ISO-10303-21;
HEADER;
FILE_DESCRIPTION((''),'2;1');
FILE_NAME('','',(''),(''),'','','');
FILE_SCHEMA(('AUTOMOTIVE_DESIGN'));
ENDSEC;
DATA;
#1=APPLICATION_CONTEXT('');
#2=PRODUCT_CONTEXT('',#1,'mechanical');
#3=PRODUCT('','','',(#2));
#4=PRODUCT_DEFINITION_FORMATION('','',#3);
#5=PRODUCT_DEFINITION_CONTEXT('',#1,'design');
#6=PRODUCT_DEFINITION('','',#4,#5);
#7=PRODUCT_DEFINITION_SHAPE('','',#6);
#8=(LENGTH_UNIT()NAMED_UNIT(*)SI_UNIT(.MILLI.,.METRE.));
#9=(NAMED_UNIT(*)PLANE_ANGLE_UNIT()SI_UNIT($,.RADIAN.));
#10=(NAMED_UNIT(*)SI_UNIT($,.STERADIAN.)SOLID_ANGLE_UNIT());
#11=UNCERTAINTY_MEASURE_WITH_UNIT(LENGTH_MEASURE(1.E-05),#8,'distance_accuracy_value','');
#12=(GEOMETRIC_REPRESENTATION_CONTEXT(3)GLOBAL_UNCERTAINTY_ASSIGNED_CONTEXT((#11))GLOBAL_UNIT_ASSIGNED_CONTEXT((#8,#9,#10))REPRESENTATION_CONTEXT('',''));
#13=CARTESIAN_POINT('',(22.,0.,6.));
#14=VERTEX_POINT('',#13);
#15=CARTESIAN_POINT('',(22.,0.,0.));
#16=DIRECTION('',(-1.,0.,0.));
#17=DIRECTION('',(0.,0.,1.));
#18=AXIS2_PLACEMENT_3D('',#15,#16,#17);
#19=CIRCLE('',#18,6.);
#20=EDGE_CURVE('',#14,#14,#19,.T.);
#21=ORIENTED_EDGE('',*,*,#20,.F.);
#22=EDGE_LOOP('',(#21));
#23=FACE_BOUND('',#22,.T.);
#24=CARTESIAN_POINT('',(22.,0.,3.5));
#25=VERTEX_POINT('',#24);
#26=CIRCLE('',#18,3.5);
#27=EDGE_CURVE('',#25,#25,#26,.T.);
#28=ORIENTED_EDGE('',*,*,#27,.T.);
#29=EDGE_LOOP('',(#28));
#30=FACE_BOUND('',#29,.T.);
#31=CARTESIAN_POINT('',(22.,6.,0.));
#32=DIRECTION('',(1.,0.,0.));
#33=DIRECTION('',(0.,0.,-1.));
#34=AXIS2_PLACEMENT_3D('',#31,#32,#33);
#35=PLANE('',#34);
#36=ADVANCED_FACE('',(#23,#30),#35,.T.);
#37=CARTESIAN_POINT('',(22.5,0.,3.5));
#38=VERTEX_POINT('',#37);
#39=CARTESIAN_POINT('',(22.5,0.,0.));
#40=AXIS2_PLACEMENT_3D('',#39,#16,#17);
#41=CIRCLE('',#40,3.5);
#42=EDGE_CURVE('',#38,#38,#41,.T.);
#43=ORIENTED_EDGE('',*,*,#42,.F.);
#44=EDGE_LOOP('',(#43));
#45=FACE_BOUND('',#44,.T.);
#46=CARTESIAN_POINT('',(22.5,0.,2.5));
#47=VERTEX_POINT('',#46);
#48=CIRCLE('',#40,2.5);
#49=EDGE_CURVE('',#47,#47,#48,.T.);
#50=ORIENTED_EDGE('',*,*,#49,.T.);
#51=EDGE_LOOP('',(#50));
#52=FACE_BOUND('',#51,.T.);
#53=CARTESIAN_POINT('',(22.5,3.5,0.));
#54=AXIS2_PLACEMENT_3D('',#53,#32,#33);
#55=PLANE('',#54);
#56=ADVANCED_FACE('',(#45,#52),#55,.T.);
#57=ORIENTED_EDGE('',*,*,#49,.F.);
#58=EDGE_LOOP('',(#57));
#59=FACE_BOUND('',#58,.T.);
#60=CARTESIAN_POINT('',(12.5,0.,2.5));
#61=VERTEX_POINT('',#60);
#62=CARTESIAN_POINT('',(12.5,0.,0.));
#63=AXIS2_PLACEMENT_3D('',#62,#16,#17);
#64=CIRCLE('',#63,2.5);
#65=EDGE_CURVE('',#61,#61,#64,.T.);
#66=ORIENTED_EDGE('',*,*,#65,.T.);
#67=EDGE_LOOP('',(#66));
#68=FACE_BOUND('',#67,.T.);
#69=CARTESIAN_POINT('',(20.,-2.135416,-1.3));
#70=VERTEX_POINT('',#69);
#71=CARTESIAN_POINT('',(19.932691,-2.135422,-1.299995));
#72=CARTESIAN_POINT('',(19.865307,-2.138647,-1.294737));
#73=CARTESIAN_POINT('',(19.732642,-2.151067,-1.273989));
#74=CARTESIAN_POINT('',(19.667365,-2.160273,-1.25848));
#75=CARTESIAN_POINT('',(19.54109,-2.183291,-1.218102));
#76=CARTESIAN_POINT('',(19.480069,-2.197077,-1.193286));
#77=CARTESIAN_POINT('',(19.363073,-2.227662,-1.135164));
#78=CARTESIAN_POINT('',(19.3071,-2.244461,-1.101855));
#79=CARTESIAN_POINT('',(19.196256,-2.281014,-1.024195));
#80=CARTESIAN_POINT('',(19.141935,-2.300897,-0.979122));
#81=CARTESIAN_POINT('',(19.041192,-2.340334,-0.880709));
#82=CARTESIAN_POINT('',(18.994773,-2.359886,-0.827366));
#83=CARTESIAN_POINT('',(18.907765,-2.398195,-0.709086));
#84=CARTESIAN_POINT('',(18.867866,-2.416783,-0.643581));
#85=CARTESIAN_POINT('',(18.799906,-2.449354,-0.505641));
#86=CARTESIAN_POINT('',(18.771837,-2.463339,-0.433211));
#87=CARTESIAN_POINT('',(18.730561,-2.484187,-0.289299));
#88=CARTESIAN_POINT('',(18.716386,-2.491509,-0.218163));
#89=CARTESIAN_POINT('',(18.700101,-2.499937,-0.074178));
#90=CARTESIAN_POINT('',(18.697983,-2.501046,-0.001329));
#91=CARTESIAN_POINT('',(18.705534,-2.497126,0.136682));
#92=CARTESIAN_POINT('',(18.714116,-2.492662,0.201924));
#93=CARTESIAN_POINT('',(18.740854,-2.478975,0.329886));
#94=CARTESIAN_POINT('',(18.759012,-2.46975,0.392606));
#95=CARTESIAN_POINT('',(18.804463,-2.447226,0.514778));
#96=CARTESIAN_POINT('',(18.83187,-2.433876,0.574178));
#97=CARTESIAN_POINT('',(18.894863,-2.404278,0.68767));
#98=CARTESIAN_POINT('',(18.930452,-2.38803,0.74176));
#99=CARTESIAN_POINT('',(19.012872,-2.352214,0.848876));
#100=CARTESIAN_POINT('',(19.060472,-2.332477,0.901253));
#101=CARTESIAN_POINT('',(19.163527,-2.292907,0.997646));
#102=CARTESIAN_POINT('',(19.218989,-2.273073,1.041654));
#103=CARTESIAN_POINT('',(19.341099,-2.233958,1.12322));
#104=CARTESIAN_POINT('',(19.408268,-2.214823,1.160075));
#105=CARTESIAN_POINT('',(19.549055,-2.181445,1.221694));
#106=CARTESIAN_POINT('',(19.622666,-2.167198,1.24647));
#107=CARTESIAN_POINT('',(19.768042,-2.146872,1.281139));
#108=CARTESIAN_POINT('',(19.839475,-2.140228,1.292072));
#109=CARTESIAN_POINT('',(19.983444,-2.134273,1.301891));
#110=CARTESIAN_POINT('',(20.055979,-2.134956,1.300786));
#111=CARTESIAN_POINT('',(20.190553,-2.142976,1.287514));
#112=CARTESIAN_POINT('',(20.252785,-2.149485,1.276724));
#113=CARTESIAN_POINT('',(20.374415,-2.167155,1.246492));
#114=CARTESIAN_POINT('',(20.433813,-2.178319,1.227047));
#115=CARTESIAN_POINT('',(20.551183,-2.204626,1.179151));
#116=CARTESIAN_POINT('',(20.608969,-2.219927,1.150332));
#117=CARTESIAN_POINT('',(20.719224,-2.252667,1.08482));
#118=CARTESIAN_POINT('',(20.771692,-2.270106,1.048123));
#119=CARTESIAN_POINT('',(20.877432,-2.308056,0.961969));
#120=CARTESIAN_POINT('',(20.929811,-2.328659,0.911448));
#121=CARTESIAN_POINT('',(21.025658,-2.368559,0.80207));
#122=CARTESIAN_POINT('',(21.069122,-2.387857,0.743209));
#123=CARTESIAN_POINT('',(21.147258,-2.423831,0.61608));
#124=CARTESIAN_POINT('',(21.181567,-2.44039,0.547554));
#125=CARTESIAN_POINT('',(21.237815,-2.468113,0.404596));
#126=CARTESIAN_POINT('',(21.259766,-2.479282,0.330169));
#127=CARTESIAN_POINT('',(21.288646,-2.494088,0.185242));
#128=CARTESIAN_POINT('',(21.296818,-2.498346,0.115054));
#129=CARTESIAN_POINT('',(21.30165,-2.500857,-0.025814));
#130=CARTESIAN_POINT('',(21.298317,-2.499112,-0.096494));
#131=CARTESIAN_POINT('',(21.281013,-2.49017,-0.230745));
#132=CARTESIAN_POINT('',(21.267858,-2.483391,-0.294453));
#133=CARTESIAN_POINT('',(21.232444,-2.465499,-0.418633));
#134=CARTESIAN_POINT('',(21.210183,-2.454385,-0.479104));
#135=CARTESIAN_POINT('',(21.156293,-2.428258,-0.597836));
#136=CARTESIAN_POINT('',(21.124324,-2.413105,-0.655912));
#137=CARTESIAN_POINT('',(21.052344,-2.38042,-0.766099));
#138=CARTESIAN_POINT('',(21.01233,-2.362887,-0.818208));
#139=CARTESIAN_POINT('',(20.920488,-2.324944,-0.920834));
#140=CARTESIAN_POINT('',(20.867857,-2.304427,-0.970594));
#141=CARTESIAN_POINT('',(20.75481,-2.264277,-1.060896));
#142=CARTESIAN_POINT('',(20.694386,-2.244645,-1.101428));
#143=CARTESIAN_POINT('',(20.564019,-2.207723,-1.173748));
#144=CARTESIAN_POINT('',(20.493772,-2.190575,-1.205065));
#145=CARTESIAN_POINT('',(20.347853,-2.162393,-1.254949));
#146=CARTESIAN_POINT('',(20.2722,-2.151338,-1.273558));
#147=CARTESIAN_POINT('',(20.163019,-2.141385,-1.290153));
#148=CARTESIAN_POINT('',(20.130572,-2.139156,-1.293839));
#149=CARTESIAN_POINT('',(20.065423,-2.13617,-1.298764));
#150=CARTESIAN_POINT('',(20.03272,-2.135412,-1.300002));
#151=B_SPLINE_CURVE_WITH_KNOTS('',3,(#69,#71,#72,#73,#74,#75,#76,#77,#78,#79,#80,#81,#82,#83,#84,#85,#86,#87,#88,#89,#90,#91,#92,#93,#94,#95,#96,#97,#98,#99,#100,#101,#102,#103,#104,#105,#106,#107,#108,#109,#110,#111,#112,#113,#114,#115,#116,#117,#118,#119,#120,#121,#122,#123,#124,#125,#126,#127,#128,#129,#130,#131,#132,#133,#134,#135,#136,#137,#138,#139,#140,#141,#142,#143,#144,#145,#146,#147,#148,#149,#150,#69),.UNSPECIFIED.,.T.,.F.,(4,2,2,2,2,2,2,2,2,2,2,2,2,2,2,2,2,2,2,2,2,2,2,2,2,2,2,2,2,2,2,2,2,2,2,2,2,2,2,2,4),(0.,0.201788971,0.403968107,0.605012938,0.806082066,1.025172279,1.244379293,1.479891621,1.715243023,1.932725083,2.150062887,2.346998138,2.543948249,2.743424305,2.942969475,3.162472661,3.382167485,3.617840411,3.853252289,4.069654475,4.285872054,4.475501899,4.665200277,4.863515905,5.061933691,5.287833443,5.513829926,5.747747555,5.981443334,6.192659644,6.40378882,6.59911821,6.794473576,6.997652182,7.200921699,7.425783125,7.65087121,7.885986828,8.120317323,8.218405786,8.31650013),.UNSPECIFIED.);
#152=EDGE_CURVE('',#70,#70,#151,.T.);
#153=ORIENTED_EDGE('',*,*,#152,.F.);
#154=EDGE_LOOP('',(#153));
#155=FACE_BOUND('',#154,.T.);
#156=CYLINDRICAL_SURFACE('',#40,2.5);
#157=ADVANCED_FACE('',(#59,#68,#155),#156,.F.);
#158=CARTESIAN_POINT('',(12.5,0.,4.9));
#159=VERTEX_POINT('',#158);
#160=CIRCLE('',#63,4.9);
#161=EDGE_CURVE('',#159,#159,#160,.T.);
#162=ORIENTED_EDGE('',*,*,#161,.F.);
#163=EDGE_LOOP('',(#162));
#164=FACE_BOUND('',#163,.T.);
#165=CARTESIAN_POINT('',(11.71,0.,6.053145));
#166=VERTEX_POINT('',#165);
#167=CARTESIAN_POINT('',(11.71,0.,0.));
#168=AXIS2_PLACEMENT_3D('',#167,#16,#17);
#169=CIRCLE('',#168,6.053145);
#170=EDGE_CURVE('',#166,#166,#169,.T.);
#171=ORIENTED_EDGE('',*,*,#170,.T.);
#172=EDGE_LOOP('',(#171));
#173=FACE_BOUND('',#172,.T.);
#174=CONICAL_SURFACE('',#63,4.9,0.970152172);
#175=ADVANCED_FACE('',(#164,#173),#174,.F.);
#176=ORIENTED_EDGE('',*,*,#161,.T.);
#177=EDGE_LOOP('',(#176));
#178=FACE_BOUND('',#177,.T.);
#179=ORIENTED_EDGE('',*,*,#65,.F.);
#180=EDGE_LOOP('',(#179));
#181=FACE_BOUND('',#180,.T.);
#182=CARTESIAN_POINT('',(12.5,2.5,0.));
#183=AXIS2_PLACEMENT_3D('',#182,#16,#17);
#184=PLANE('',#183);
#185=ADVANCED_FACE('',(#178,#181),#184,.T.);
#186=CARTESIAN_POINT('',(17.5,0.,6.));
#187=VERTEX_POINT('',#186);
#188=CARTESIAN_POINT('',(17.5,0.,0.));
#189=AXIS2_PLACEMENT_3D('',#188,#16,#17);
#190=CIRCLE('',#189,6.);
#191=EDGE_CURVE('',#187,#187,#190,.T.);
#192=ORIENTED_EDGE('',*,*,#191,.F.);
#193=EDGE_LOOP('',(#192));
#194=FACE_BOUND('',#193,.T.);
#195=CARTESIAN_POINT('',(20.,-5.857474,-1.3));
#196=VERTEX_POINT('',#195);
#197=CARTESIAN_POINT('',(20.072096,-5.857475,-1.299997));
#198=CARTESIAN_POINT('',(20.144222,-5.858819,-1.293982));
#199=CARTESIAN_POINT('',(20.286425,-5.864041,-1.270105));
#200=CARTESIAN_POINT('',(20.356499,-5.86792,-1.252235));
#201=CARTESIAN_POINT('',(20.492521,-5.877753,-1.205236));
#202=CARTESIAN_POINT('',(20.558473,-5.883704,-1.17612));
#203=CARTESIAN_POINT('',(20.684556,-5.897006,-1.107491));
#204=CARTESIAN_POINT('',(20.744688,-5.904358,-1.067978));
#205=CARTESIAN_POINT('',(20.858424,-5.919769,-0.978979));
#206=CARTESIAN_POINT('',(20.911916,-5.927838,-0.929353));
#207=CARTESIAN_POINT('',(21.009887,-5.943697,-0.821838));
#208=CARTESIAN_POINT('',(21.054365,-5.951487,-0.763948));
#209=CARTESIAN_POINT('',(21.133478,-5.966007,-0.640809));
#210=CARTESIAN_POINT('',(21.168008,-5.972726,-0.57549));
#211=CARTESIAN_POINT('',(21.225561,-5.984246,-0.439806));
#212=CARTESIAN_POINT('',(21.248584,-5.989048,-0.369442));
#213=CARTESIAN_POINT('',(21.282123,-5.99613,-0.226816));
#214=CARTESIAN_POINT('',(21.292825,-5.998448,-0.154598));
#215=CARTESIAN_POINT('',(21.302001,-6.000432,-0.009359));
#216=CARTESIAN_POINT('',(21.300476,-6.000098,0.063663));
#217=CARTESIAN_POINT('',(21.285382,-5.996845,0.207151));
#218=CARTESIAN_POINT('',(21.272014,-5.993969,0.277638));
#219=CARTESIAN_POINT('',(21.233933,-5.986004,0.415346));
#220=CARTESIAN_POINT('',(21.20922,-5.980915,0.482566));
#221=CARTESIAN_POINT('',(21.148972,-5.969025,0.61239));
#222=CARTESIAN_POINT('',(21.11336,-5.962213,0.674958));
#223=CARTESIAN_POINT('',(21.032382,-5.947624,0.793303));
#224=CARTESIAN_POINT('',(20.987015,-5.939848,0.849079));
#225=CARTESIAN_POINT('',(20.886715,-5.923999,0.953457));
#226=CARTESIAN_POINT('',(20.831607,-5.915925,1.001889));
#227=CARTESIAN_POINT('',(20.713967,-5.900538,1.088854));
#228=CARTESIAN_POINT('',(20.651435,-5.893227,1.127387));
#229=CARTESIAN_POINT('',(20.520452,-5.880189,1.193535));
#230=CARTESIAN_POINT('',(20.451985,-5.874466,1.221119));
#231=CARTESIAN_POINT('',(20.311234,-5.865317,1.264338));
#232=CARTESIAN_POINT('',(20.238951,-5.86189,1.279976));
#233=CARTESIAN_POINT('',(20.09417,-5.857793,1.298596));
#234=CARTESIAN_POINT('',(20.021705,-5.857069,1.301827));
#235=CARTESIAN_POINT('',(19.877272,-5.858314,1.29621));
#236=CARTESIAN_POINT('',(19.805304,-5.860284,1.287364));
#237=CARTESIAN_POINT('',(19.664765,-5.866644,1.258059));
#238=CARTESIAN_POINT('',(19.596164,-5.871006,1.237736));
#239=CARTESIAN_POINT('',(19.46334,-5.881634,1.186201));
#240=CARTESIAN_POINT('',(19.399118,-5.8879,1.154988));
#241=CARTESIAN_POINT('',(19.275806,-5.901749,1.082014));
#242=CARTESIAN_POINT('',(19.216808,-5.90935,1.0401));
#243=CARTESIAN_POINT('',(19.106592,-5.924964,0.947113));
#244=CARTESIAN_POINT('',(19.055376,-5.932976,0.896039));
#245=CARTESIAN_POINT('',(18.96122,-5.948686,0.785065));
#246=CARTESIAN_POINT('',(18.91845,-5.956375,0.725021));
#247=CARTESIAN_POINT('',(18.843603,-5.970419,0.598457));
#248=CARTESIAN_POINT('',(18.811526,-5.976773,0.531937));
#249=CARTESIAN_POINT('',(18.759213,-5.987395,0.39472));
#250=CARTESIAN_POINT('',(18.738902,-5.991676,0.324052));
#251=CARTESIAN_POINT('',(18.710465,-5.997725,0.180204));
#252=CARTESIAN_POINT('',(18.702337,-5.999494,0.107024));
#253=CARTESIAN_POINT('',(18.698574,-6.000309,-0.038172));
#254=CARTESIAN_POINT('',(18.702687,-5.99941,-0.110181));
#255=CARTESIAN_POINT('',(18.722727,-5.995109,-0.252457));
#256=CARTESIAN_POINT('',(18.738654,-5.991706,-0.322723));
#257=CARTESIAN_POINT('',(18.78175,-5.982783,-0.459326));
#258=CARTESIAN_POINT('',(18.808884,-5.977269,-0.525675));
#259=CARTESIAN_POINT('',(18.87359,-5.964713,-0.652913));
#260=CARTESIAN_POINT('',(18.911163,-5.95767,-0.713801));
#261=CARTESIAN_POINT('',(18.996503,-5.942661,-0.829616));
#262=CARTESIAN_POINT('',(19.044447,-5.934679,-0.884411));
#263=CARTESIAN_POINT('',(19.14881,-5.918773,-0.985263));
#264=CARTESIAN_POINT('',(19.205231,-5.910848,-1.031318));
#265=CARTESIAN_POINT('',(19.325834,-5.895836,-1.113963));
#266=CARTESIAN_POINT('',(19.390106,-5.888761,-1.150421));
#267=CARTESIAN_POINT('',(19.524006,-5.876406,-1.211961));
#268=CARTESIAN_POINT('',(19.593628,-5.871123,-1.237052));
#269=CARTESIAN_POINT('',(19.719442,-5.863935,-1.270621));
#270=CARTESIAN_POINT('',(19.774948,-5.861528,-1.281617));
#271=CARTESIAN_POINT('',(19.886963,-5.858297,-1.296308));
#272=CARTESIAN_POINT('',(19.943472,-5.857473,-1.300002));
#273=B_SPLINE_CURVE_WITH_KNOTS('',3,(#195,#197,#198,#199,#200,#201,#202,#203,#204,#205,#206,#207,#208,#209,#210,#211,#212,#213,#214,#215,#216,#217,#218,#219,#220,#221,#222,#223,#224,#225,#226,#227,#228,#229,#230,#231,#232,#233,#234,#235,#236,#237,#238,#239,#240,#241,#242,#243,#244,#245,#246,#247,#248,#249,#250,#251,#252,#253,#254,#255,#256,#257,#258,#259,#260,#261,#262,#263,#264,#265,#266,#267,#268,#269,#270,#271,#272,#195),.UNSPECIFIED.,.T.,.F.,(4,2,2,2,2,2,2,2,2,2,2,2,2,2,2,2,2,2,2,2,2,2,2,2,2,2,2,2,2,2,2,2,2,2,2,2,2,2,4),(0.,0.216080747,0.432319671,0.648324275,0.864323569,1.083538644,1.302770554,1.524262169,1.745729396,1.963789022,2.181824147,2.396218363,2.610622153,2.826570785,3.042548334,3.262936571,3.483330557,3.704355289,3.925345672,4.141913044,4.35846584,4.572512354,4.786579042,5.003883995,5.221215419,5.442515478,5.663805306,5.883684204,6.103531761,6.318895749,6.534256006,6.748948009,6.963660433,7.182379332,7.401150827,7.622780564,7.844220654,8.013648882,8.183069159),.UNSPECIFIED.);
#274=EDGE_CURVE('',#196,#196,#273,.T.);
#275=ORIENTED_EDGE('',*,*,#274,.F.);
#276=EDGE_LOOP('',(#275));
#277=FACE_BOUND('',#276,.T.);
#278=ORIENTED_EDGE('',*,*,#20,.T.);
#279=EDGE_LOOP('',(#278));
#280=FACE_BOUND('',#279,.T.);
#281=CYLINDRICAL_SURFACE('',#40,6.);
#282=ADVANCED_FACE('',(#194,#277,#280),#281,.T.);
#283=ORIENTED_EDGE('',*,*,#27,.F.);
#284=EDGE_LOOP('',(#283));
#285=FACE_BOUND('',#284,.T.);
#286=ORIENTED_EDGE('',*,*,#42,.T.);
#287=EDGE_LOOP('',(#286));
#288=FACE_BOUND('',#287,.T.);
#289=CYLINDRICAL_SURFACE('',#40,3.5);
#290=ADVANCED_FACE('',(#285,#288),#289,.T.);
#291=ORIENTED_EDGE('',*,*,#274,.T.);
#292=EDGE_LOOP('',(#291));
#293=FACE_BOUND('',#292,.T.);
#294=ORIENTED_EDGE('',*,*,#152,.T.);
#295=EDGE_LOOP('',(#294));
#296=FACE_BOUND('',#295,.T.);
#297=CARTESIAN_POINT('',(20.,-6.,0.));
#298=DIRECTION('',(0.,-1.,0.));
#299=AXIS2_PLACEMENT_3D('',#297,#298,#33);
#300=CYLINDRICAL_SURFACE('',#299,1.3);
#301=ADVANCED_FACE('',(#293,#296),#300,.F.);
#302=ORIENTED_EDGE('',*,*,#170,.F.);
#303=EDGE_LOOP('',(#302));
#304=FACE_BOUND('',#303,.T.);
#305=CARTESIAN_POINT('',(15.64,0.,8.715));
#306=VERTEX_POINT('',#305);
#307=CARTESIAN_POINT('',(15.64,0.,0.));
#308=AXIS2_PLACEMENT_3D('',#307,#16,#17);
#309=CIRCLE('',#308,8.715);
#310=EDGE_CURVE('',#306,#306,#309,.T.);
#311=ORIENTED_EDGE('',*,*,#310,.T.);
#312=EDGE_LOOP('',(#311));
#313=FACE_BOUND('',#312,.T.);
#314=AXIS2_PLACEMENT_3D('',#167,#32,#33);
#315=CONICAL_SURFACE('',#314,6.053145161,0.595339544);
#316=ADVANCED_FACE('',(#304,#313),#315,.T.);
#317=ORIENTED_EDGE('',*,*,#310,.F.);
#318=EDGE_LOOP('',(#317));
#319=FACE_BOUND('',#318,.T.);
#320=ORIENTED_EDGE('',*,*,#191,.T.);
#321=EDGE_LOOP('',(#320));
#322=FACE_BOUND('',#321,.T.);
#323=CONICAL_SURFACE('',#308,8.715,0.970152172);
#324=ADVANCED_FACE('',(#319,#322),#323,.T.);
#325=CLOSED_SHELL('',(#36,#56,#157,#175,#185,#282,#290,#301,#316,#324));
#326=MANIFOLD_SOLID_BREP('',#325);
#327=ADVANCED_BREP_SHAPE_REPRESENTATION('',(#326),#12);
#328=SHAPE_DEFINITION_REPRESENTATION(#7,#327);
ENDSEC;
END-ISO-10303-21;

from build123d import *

# Parameters (mm, degrees)
TAP_DRILL_FOR_M3X0_5_TAP1_REACH  = 21.005
TAP_DRILL_FOR_M3X0_5_TAP1_BORE_R = 1.3


with BuildPart() as part:
    # Sketch1 → Revolve1 (revolve)
    with BuildSketch(Plane(origin=(0, 0, 0), x_dir=(-1, 0, 0), z_dir=(0, 0, -1)), mode=Mode.PRIVATE) as revolve1_sk:
        Polygon((-22.5, 3.5), (-22.5, 2.5), (-12.5, 2.5), (-12.5, 4.9), (-11.71, 6.053145161), (-15.64, 8.715), (-17.5, 6), (-22, 6), (-22, 3.5), align=None)
    revolve(revolve1_sk.sketch.rotate(Axis((22.5, 0, 0), (-1, 0, 0)), 270), axis=Axis((22.5, 0, 0), (-1, 0, 0)))

    # Tap Drill for M3x0.5 Tap1 bore (on position points) → Tap Drill for M3x0.5 Tap1 (cut, up to next)
    with BuildSketch(Plane(origin=(20, -6, 0), x_dir=(0, 0, -1), z_dir=(0, -1, 0)), mode=Mode.PRIVATE) as tap_drill_for_m3x0_5_tap1_sk1:
        Circle(TAP_DRILL_FOR_M3X0_5_TAP1_BORE_R)
    tap_drill_for_m3x0_5_tap1_tool1 = extrude(tap_drill_for_m3x0_5_tap1_sk1.sketch, amount=-TAP_DRILL_FOR_M3X0_5_TAP1_REACH, mode=Mode.PRIVATE) & part.part
    add(tap_drill_for_m3x0_5_tap1_tool1.solids().sort_by_distance((20, -6, 0))[0], mode=Mode.SUBTRACT)


solid = part.part
